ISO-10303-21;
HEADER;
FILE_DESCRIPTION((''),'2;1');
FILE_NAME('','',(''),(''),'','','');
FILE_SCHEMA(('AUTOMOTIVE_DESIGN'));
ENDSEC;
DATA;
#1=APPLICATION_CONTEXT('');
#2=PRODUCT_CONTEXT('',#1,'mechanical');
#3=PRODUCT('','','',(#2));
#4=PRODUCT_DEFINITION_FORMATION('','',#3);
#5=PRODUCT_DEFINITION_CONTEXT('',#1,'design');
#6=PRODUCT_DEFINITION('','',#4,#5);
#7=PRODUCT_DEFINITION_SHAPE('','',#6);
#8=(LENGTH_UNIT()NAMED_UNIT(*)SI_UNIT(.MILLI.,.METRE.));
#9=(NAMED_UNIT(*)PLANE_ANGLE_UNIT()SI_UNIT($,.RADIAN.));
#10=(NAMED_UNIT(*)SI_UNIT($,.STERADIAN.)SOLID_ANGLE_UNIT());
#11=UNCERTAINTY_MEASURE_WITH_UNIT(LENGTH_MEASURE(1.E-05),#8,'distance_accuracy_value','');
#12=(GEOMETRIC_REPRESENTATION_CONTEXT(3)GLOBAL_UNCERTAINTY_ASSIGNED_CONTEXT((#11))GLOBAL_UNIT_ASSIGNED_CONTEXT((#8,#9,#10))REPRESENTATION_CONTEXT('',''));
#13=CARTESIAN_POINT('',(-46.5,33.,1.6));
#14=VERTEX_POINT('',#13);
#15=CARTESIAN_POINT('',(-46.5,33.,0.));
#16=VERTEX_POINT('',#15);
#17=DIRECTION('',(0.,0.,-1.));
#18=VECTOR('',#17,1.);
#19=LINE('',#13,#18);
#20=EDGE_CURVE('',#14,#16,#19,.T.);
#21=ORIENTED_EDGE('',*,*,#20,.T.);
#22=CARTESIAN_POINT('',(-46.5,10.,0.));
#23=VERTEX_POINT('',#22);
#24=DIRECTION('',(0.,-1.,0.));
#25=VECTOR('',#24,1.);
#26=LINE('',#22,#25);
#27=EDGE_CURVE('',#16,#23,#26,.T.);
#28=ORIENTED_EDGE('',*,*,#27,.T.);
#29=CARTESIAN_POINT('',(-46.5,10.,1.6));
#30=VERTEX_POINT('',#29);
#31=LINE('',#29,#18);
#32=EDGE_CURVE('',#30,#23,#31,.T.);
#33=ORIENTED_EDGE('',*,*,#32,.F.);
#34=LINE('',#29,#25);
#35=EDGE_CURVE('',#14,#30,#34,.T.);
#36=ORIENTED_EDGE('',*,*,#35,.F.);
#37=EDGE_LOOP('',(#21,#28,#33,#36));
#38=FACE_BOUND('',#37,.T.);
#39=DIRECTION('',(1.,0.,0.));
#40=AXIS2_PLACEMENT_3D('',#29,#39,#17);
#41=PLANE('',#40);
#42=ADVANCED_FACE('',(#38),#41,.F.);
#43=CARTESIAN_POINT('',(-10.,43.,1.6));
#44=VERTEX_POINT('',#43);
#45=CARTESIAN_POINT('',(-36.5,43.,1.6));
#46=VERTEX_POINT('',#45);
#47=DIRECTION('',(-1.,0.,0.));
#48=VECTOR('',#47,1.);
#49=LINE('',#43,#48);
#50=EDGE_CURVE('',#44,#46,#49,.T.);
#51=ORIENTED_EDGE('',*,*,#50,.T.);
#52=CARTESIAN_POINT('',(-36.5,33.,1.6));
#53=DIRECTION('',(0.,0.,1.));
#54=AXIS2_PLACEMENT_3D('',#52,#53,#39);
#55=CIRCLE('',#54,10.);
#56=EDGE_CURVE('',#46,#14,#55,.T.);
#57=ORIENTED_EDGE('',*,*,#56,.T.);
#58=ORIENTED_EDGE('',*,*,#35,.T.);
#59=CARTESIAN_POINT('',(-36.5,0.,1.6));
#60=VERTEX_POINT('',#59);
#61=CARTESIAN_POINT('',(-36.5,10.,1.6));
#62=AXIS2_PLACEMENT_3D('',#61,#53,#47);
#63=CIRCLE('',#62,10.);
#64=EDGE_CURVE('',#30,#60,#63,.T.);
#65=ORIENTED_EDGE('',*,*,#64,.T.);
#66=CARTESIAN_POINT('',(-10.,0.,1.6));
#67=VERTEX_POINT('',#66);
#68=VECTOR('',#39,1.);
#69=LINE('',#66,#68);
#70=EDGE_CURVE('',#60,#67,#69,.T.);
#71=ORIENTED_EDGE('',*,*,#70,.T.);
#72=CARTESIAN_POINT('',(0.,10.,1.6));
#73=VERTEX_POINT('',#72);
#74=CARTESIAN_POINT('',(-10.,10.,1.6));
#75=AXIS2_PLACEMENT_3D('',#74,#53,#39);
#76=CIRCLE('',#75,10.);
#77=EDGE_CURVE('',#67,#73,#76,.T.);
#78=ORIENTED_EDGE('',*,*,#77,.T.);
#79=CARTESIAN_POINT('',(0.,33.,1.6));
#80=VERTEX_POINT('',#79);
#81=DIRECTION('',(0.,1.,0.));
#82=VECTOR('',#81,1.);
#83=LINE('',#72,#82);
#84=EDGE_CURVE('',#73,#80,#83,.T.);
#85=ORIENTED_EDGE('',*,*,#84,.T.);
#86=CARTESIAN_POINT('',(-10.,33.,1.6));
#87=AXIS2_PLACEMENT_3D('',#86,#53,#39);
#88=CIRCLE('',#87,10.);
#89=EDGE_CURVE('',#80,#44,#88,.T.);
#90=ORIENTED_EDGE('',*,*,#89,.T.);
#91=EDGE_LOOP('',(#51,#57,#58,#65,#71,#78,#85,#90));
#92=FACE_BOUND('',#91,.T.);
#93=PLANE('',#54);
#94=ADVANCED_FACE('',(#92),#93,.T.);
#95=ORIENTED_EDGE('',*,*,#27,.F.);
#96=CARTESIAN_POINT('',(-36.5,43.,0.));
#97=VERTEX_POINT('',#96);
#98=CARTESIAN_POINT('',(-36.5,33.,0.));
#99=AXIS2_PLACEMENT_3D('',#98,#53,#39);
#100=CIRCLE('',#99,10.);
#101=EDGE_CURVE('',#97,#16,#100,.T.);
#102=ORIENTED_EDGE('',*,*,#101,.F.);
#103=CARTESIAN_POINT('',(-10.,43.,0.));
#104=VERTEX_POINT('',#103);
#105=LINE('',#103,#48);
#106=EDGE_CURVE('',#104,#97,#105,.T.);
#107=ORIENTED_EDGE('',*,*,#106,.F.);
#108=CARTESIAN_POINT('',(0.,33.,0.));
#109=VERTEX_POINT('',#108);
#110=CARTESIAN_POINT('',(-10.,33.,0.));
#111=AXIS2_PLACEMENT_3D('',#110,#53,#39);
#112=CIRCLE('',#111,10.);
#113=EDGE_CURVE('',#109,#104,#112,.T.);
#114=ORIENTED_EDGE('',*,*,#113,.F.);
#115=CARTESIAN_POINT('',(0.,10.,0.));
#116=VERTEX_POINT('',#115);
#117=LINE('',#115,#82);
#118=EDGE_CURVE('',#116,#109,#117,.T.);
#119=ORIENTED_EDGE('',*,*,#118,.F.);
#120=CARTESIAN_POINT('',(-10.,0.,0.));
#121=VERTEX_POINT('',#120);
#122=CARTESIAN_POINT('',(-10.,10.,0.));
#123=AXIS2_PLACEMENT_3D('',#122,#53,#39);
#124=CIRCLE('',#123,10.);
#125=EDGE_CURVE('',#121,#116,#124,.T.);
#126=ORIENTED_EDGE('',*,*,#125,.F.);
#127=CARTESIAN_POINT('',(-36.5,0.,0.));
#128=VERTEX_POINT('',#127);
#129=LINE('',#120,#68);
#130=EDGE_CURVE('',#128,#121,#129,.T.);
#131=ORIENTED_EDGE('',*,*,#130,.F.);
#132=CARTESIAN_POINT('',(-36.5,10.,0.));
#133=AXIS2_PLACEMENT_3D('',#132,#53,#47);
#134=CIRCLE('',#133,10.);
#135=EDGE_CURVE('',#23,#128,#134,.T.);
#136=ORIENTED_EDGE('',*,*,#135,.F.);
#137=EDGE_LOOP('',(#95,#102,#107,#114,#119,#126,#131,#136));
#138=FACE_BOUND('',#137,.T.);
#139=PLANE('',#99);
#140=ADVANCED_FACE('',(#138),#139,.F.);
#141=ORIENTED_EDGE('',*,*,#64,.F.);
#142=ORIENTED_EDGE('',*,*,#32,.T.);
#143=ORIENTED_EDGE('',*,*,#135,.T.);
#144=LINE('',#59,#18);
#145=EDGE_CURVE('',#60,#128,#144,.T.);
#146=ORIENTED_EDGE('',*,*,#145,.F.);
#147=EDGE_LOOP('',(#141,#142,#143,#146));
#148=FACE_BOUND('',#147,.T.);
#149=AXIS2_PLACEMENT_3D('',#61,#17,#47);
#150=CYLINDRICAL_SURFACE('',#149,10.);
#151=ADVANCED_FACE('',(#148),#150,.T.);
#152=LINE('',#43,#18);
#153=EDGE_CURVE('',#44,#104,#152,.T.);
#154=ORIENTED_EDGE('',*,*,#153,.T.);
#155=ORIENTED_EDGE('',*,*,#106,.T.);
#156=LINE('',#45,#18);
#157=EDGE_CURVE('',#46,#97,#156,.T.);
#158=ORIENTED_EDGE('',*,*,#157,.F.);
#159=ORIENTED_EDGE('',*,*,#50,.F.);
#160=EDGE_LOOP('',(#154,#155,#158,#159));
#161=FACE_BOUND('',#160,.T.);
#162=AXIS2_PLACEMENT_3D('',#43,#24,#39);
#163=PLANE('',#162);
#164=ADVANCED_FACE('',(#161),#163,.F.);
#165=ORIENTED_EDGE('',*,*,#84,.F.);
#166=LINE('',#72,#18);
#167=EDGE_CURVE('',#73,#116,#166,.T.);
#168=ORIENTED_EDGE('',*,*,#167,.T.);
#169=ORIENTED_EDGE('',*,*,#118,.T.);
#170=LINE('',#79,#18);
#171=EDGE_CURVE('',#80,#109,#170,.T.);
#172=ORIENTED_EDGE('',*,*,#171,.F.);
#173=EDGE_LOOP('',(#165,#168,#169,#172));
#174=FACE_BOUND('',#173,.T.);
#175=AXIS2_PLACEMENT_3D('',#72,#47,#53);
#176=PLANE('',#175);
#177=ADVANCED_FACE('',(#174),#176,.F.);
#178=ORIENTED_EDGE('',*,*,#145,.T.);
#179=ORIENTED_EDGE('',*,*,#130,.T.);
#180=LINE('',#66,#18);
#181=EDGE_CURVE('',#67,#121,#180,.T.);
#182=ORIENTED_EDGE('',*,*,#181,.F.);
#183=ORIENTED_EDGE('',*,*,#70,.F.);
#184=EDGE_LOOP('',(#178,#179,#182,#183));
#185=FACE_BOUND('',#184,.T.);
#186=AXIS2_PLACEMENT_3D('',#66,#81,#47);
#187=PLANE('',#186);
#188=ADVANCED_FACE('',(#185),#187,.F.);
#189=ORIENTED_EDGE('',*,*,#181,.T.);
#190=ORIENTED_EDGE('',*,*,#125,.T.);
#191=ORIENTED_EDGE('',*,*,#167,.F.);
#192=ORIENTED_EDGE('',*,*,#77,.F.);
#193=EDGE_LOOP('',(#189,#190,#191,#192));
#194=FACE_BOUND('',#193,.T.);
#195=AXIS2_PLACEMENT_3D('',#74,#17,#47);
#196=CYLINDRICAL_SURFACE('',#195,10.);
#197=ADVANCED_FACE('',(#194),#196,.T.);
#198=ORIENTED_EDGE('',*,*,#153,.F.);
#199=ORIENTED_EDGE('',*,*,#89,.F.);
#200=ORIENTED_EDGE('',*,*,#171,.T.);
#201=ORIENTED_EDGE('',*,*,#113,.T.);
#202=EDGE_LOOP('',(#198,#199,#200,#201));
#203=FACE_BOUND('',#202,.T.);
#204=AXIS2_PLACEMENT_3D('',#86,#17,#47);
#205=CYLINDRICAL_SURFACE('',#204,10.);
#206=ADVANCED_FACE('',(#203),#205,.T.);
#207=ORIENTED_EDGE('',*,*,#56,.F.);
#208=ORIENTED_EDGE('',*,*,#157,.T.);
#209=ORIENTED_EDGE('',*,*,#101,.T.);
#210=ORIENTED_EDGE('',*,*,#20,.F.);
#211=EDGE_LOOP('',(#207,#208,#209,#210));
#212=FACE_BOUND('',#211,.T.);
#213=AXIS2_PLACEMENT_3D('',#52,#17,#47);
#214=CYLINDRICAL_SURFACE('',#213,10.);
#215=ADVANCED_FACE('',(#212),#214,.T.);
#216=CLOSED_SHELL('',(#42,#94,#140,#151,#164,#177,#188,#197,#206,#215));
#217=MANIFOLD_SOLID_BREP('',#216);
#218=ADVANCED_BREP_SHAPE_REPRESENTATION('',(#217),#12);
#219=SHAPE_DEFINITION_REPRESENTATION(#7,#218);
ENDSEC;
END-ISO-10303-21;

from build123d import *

# Parameters (mm, degrees)
RESSALTO_EXTRUS_O1_DEPTH = 1.6


with BuildPart() as part:
    # Esboço1 → Ressalto-extrusão1 (new body)
    with BuildSketch(Plane.XY):
        with BuildLine():
            Line((-10, 0), (-36.5, 0))
            ThreePointArc((-36.5, 0), (-43.571067812, 2.928932188), (-46.5, 10))
            Line((-46.5, 10), (-46.5, 33))
            ThreePointArc((-46.5, 33), (-43.571067812, 40.071067812), (-36.5, 43))
            Line((-36.5, 43), (-10, 43))
            ThreePointArc((-10, 43), (-2.928932188, 40.071067812), (0, 33))
            Line((0, 33), (0, 10))
            ThreePointArc((0, 10), (-2.928932188, 2.928932188), (-10, 0))
        make_face()
    extrude(amount=RESSALTO_EXTRUS_O1_DEPTH)


solid = part.part
